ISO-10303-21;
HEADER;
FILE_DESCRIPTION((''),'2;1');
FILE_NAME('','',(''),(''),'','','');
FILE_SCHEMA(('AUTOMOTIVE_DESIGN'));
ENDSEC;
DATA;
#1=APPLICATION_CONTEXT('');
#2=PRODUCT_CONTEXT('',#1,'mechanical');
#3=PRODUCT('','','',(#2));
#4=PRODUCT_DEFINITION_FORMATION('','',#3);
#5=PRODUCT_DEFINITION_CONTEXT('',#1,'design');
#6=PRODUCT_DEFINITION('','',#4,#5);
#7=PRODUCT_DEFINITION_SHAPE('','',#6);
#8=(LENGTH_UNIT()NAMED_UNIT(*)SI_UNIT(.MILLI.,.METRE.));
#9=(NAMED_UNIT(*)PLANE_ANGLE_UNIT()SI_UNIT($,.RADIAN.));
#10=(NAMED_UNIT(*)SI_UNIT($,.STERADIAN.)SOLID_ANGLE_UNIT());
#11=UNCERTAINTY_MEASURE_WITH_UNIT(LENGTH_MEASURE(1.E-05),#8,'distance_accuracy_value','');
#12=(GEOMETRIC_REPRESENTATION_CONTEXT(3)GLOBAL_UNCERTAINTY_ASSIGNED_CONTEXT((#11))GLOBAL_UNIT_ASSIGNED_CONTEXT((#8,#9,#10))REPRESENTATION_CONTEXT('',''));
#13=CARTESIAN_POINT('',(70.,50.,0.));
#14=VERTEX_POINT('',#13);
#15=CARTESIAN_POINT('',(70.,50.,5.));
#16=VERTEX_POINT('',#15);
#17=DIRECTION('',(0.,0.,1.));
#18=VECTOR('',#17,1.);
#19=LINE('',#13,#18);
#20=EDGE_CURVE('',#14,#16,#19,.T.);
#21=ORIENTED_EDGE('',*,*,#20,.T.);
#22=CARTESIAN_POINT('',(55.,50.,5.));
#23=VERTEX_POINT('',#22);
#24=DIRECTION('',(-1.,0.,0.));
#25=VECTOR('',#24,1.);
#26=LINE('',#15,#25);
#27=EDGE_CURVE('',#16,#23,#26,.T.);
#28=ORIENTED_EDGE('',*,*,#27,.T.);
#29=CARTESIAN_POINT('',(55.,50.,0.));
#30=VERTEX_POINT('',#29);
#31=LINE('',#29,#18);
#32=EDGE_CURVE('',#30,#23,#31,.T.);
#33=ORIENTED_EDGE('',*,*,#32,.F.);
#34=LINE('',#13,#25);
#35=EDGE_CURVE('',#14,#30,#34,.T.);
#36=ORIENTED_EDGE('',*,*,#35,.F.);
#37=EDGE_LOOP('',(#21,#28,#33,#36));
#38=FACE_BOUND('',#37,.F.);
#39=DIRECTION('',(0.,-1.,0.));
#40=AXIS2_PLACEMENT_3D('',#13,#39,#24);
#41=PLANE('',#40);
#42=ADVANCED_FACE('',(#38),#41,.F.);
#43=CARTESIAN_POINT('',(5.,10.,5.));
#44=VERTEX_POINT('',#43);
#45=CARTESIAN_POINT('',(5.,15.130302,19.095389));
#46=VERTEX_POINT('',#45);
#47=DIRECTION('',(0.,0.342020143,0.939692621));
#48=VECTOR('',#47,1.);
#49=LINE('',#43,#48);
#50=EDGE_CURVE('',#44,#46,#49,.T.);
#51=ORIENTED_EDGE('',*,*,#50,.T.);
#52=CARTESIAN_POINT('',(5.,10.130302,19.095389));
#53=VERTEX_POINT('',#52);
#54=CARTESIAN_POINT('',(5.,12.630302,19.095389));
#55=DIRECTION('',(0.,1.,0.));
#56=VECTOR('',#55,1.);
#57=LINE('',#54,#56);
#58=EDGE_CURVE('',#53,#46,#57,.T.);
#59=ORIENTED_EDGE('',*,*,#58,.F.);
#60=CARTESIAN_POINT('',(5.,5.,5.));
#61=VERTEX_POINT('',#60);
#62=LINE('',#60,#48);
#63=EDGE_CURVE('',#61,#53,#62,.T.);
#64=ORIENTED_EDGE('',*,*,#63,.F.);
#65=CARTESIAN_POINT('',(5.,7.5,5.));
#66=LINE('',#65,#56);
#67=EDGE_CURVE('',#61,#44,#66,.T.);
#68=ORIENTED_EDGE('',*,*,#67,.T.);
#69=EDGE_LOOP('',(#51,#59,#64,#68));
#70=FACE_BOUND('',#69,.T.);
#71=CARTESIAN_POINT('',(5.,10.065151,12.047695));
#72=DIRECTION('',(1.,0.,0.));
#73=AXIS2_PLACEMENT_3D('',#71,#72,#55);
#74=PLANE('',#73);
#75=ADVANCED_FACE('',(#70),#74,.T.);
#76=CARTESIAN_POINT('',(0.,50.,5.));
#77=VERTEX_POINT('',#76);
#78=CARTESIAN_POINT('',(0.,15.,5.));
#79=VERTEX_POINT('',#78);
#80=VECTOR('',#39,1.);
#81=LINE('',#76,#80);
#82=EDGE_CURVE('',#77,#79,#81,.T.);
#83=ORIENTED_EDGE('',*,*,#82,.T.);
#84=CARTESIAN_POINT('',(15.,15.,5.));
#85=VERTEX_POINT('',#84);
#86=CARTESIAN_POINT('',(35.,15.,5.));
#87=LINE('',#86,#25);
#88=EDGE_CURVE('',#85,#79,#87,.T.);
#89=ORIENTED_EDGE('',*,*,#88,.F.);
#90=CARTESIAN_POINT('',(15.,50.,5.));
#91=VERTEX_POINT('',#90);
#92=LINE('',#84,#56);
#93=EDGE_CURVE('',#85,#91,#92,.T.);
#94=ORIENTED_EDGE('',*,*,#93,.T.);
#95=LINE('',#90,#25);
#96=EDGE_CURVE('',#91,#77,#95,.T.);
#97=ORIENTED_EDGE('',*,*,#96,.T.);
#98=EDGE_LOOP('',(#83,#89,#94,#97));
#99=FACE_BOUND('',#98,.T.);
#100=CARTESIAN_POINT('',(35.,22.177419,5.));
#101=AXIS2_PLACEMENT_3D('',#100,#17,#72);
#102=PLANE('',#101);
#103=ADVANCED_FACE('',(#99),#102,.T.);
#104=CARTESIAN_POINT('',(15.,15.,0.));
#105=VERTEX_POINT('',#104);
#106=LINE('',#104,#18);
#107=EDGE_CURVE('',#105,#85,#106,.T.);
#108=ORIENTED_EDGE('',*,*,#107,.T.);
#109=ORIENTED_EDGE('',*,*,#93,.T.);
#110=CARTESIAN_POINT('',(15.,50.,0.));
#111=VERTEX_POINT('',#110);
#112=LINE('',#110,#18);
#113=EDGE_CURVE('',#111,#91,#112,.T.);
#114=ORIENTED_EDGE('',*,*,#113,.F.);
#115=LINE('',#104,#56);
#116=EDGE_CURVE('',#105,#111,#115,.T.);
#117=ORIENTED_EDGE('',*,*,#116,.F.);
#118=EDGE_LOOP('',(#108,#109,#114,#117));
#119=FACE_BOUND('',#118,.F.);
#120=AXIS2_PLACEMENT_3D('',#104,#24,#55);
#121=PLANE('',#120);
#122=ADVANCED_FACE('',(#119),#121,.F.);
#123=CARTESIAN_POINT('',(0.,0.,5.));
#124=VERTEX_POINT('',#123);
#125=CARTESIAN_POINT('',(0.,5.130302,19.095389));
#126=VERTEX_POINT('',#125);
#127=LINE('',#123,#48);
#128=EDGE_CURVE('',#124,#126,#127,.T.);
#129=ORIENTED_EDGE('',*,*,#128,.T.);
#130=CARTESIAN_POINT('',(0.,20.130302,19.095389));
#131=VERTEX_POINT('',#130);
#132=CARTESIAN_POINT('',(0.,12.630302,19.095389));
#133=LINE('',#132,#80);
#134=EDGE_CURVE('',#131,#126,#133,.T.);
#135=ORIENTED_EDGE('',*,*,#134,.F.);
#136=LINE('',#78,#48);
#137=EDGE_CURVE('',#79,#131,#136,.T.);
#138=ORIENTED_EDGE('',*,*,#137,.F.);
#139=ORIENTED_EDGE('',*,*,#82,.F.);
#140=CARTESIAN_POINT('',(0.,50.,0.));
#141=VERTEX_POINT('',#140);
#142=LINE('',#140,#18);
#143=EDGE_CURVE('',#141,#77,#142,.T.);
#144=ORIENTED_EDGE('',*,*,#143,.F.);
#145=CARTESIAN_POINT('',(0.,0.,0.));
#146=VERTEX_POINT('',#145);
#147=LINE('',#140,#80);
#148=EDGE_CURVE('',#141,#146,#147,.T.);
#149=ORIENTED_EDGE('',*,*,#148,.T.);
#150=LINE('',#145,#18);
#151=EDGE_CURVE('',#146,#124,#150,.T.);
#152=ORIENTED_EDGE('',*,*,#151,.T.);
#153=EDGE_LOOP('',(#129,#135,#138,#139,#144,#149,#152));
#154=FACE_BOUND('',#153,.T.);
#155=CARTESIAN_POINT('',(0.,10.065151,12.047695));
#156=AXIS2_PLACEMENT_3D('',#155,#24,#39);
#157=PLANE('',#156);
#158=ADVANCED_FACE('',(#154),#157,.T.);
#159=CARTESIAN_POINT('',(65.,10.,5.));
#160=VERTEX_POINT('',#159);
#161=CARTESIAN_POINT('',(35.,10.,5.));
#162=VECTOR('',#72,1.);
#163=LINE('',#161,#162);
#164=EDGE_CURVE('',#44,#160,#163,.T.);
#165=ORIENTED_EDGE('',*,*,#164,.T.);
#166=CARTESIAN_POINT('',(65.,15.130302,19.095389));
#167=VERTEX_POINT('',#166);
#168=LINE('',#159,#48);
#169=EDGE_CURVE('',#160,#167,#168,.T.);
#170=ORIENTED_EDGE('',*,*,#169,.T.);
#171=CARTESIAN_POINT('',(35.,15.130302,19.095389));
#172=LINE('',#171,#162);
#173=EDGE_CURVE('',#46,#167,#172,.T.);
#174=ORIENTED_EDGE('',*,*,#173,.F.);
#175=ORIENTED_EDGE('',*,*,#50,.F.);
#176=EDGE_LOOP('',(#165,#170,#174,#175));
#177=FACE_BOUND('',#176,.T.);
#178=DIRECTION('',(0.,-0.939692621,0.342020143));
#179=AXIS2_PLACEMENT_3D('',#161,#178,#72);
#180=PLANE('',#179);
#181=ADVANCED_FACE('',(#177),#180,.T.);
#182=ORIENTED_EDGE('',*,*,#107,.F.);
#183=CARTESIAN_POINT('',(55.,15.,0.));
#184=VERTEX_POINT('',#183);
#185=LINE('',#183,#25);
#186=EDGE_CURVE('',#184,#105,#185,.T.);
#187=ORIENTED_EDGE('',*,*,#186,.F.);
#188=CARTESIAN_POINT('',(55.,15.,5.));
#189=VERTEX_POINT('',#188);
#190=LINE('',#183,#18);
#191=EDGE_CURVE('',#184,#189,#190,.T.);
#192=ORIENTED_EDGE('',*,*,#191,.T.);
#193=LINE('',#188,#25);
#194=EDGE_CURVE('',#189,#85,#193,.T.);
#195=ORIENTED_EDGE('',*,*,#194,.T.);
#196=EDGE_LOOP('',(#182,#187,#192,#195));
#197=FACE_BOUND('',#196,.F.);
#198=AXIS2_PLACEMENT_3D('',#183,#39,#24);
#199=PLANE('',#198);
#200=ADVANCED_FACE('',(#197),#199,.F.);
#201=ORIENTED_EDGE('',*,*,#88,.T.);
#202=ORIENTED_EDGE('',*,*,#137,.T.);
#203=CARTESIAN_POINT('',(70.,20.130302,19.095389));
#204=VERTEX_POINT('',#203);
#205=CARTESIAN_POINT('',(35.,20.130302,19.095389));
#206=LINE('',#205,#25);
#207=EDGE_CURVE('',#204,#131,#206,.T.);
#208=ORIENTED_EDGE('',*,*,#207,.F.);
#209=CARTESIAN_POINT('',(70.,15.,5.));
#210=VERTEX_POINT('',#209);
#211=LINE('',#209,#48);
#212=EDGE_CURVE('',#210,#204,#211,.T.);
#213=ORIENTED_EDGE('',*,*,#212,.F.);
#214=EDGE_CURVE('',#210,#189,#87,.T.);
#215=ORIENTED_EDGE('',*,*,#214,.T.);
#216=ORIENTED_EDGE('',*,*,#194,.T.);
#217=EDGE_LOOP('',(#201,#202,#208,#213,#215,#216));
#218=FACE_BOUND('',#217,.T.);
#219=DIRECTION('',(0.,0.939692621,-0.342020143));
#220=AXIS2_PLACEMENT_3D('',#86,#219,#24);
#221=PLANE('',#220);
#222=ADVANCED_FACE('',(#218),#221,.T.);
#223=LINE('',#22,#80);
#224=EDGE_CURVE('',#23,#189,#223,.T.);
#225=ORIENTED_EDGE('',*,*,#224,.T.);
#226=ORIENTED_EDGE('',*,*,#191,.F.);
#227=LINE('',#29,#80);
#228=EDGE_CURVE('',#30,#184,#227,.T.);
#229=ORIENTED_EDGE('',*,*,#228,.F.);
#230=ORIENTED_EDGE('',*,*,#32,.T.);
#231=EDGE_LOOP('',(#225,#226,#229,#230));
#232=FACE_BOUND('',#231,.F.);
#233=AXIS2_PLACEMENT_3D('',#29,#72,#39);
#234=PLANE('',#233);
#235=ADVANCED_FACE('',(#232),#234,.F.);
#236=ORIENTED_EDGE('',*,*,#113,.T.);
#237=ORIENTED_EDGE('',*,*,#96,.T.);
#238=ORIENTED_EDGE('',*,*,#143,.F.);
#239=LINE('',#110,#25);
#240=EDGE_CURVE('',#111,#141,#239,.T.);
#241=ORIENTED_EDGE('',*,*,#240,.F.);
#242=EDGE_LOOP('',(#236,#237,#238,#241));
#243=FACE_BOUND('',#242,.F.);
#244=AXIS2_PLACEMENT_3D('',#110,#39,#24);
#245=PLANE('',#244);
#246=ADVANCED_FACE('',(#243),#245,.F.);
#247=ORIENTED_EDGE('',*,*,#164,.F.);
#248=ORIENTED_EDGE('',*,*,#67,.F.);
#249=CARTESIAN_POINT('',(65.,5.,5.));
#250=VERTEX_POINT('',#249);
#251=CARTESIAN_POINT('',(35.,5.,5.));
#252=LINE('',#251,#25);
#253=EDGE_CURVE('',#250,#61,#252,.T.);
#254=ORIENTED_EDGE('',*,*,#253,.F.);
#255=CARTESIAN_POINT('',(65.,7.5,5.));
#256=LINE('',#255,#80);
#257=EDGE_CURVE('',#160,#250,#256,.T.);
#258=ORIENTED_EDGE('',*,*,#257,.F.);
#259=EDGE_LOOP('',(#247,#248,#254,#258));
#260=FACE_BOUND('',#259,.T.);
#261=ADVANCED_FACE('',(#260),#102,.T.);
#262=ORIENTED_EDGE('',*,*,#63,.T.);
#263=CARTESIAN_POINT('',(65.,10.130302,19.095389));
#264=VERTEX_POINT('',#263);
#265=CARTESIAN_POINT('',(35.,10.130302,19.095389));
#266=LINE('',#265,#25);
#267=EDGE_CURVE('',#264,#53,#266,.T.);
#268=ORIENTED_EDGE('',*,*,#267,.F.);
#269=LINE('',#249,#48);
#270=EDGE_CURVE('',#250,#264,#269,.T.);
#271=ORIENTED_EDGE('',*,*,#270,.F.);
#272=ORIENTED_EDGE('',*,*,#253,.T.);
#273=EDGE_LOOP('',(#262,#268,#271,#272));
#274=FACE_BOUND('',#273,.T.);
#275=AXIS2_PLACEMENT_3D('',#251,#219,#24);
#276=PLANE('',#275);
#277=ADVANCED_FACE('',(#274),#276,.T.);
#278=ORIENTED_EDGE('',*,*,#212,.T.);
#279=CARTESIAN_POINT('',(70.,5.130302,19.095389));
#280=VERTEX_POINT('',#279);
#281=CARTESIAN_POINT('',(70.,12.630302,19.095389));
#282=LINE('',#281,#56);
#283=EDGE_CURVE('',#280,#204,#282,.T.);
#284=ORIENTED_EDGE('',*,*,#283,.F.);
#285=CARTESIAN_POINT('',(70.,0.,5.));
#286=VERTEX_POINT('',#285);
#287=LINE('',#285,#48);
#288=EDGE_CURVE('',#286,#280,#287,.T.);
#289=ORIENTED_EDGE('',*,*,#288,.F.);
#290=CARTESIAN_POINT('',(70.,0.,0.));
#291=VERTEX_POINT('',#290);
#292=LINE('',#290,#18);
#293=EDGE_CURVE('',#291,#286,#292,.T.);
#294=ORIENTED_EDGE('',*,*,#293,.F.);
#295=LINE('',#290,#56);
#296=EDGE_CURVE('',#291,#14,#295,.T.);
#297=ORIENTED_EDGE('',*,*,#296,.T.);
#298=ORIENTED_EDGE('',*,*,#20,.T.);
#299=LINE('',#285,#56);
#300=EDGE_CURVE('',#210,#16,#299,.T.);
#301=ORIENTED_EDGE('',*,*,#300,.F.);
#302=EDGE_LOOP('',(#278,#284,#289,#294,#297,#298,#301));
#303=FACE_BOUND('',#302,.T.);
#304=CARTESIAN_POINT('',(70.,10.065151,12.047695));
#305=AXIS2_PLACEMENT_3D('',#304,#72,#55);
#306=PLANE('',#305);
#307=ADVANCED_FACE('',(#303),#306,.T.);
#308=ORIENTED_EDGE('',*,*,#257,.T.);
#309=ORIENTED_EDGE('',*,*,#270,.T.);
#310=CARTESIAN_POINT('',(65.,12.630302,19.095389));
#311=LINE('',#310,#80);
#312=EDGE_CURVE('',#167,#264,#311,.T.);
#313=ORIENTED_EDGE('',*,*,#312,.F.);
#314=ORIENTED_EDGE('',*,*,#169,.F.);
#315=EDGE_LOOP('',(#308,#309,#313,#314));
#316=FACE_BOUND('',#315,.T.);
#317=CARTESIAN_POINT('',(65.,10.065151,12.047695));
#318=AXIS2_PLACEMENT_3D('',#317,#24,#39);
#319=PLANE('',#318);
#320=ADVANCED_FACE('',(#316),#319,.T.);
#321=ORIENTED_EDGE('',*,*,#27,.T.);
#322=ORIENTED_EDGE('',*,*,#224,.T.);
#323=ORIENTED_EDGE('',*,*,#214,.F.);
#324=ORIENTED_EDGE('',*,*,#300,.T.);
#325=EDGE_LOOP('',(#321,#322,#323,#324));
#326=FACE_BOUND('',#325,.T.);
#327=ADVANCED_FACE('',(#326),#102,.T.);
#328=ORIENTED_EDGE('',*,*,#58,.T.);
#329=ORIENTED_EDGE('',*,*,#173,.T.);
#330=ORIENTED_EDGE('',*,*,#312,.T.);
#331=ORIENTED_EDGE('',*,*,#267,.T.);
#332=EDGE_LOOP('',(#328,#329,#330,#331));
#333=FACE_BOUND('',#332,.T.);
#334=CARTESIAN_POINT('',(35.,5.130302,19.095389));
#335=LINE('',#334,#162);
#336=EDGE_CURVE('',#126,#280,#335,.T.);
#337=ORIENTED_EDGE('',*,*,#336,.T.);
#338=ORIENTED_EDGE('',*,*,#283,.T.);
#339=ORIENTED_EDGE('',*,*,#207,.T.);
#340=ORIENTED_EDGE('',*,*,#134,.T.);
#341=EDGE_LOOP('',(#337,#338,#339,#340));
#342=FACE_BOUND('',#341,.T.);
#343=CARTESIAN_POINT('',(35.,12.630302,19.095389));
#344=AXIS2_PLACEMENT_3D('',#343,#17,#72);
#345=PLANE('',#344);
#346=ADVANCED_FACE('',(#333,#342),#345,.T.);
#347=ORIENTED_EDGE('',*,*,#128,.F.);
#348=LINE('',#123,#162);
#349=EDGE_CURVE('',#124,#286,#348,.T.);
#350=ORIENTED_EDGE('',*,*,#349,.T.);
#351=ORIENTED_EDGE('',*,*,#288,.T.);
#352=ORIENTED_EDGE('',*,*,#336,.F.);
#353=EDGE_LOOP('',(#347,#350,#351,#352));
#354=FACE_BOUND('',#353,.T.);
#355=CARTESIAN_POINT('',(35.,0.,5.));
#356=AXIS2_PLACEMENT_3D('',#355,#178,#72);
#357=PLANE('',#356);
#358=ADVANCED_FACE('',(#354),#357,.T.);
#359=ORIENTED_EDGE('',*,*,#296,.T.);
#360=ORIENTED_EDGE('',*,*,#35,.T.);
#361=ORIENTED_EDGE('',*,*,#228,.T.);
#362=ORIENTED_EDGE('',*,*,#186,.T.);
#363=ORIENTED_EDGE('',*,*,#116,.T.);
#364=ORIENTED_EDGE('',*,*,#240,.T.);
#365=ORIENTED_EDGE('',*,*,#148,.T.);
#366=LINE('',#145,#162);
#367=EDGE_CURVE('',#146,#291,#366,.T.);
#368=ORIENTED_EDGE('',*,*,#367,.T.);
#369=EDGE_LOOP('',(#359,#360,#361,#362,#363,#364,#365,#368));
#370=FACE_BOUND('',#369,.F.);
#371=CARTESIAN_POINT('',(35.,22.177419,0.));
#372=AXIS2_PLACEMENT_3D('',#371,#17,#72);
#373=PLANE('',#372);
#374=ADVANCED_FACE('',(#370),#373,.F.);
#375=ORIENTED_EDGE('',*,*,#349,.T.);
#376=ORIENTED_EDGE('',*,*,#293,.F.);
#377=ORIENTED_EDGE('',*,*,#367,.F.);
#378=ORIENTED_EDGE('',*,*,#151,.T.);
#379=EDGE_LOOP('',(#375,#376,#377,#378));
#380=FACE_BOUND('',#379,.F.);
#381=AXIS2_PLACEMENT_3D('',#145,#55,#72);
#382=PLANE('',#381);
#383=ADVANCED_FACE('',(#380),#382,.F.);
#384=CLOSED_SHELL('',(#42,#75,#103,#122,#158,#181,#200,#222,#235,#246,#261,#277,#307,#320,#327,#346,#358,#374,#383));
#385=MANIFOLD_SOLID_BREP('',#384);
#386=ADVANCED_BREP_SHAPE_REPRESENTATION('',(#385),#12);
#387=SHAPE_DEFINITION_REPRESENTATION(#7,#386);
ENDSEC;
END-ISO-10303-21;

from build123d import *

# Parameters (mm, degrees)
F1_DEPTH = 5
F3_W     = 70
F3_H     = 15
F3_W_2   = 60
F3_H_2   = 5


with BuildPart() as f1:
    # F0 (on Top) → F1 (new body)
    with BuildSketch(Plane.XY):
        Polygon((0, 50), (0, 0), (70, 0), (70, 50), (55, 50), (55, 15), (15, 15), (15, 50), align=None)
    extrude(amount=F1_DEPTH)

    # F4: sweep along a path in F2
    with BuildLine(Plane(origin=(0, 0, 0), x_dir=(0, -1, 0), z_dir=(-1, 0, 0))) as f4_path:
        Line((0, 5), (-5.1303021499, 19.0953893118))
    # F3 (on face) → F4 (sweep)
    with BuildSketch(Plane.XY.offset(5)):
        with Locations((35, 7.5)):
            Rectangle(F3_W, F3_H)
        with Locations((35, 7.5)):
            Rectangle(F3_W_2, F3_H_2, mode=Mode.SUBTRACT)
    sweep(path=f4_path.line)


solid = f1.part
